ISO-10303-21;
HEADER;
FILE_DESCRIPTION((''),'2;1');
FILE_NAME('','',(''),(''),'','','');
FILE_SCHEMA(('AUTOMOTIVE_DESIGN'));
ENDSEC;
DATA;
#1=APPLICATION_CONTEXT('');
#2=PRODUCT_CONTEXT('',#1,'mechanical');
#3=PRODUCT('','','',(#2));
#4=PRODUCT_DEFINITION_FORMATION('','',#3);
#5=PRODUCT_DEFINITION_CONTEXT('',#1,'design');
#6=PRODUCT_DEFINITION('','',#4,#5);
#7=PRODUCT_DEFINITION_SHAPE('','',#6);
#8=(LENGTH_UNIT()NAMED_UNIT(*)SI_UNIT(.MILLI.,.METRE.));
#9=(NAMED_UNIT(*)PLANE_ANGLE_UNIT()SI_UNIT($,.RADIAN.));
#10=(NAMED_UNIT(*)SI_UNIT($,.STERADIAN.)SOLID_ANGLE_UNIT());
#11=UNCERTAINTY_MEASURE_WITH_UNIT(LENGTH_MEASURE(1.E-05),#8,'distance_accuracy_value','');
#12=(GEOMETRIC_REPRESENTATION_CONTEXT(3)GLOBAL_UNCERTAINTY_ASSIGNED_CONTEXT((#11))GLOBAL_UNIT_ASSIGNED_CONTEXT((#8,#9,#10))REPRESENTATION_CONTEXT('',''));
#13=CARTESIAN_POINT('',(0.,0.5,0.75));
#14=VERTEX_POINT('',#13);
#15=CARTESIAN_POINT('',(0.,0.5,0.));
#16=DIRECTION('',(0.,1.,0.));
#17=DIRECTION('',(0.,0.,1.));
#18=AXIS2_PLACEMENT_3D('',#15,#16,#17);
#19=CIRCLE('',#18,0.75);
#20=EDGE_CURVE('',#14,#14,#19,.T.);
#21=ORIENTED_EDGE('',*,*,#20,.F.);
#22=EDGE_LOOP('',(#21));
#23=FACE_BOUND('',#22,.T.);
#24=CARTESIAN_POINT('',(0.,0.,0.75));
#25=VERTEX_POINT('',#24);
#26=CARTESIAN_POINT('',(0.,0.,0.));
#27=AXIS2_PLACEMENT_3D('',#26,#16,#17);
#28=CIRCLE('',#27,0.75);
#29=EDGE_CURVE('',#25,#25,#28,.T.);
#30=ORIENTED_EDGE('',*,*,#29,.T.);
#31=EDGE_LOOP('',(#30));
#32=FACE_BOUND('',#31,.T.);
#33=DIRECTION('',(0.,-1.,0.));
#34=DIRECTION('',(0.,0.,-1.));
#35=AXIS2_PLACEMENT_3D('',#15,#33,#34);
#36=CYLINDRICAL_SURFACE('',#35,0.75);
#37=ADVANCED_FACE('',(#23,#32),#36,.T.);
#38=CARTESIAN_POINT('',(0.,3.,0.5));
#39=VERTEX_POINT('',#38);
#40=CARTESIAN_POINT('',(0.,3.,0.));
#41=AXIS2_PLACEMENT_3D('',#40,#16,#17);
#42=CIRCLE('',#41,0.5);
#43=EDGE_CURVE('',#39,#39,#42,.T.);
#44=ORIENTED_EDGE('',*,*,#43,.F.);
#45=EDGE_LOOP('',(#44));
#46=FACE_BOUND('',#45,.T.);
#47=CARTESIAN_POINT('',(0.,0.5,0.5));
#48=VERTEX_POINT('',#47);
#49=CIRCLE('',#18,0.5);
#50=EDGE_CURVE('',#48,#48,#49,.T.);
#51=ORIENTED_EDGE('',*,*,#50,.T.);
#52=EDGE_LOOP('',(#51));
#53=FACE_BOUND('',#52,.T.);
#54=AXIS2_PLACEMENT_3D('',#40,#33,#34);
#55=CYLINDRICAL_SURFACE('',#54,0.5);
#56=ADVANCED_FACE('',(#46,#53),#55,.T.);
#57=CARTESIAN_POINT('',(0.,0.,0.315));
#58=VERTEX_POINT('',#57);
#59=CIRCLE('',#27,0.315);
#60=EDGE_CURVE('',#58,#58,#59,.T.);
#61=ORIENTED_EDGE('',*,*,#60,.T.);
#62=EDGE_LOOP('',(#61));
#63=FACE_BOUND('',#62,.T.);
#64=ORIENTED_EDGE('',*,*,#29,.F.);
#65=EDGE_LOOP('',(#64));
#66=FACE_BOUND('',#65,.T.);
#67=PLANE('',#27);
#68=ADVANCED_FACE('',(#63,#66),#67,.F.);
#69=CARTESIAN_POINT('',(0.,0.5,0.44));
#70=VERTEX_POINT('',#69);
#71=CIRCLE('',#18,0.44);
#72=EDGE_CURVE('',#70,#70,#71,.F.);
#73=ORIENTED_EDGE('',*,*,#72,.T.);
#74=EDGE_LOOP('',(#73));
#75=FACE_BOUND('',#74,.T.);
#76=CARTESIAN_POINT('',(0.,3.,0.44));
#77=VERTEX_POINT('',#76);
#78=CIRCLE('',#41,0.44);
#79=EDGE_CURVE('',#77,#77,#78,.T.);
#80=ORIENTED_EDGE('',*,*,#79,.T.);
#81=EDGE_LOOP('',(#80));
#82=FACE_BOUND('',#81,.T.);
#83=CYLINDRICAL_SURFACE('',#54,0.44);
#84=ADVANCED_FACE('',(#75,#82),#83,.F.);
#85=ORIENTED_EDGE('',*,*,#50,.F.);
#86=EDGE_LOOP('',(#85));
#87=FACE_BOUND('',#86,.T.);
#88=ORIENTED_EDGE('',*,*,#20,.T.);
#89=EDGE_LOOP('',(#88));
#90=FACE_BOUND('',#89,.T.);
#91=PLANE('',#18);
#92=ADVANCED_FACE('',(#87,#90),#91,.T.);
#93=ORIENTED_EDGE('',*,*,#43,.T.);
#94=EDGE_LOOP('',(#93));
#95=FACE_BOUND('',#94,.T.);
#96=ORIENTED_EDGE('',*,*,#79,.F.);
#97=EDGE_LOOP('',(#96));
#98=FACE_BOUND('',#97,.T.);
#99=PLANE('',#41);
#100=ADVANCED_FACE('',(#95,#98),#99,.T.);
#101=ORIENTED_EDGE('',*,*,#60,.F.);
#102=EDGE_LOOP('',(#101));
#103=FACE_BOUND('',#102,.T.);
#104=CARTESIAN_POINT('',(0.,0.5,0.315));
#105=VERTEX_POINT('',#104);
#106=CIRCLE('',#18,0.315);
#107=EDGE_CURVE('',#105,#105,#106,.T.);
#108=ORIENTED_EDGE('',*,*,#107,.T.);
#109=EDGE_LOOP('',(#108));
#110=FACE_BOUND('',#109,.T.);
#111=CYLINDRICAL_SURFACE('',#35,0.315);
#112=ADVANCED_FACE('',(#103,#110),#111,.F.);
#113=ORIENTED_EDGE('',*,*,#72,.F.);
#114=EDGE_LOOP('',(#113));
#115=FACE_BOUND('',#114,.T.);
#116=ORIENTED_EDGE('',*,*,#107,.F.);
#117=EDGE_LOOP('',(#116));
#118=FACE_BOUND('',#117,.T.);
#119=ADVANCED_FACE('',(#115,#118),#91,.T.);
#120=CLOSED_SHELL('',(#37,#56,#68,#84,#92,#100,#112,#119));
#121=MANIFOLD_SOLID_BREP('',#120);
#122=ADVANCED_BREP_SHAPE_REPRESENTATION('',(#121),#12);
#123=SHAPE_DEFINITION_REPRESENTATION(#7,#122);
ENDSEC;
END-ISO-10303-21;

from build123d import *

# Parameters (mm, degrees)
SKETCH2_R           = 0.75
SKETCH2_R_2         = 0.5
SKETCH2_R_3         = 0.44
SKETCH2_R_4         = 0.315
BOSS_EXTRUDE1_DEPTH = 0.5
BOSS_EXTRUDE2_START = 0.5
SKETCH2_3_R         = 0.5
SKETCH2_3_R_2       = 0.44
BOSS_EXTRUDE2_DEPTH = 2.5


with BuildPart() as part:
    # Sketch2 → Boss-Extrude1 (new body)
    # profile 1 of 3: a face of its own
    with BuildSketch(Plane(origin=(0, 0, 0), x_dir=(1, 0, 0), z_dir=(0, 1, 0))):
        with Locations(Location((0, 0, 0), (0, 0, 270))):
            Circle(SKETCH2_R)
        Circle(SKETCH2_R_2, mode=Mode.SUBTRACT)
    # profile 2 of 3: a face of its own
    with BuildSketch(Plane(origin=(0, 0, 0), x_dir=(1, 0, 0), z_dir=(0, 1, 0))):
        Circle(SKETCH2_R_2)
        Circle(SKETCH2_R_3, mode=Mode.SUBTRACT)
    # profile 3 of 3: a face of its own
    with BuildSketch(Plane(origin=(0, 0, 0), x_dir=(1, 0, 0), z_dir=(0, 1, 0))):
        Circle(SKETCH2_R_3)
        with Locations(Location((0, 0, 0), (0, 0, 270))):
            Circle(SKETCH2_R_4, mode=Mode.SUBTRACT)
    extrude(amount=BOSS_EXTRUDE1_DEPTH)

    # Sketch2<3> → Boss-Extrude2 (add)
    with BuildSketch(Plane(origin=(0, 0, 0), x_dir=(1, 0, 0), z_dir=(0, 1, 0)).offset(BOSS_EXTRUDE2_START)):
        with Locations(Location((0, 0, 0), (0, 0, 270))):
            Circle(SKETCH2_3_R)
        with Locations(Location((0, 0, 0), (0, 0, 270))):
            Circle(SKETCH2_3_R_2, mode=Mode.SUBTRACT)
    extrude(amount=BOSS_EXTRUDE2_DEPTH)


solid = part.part
